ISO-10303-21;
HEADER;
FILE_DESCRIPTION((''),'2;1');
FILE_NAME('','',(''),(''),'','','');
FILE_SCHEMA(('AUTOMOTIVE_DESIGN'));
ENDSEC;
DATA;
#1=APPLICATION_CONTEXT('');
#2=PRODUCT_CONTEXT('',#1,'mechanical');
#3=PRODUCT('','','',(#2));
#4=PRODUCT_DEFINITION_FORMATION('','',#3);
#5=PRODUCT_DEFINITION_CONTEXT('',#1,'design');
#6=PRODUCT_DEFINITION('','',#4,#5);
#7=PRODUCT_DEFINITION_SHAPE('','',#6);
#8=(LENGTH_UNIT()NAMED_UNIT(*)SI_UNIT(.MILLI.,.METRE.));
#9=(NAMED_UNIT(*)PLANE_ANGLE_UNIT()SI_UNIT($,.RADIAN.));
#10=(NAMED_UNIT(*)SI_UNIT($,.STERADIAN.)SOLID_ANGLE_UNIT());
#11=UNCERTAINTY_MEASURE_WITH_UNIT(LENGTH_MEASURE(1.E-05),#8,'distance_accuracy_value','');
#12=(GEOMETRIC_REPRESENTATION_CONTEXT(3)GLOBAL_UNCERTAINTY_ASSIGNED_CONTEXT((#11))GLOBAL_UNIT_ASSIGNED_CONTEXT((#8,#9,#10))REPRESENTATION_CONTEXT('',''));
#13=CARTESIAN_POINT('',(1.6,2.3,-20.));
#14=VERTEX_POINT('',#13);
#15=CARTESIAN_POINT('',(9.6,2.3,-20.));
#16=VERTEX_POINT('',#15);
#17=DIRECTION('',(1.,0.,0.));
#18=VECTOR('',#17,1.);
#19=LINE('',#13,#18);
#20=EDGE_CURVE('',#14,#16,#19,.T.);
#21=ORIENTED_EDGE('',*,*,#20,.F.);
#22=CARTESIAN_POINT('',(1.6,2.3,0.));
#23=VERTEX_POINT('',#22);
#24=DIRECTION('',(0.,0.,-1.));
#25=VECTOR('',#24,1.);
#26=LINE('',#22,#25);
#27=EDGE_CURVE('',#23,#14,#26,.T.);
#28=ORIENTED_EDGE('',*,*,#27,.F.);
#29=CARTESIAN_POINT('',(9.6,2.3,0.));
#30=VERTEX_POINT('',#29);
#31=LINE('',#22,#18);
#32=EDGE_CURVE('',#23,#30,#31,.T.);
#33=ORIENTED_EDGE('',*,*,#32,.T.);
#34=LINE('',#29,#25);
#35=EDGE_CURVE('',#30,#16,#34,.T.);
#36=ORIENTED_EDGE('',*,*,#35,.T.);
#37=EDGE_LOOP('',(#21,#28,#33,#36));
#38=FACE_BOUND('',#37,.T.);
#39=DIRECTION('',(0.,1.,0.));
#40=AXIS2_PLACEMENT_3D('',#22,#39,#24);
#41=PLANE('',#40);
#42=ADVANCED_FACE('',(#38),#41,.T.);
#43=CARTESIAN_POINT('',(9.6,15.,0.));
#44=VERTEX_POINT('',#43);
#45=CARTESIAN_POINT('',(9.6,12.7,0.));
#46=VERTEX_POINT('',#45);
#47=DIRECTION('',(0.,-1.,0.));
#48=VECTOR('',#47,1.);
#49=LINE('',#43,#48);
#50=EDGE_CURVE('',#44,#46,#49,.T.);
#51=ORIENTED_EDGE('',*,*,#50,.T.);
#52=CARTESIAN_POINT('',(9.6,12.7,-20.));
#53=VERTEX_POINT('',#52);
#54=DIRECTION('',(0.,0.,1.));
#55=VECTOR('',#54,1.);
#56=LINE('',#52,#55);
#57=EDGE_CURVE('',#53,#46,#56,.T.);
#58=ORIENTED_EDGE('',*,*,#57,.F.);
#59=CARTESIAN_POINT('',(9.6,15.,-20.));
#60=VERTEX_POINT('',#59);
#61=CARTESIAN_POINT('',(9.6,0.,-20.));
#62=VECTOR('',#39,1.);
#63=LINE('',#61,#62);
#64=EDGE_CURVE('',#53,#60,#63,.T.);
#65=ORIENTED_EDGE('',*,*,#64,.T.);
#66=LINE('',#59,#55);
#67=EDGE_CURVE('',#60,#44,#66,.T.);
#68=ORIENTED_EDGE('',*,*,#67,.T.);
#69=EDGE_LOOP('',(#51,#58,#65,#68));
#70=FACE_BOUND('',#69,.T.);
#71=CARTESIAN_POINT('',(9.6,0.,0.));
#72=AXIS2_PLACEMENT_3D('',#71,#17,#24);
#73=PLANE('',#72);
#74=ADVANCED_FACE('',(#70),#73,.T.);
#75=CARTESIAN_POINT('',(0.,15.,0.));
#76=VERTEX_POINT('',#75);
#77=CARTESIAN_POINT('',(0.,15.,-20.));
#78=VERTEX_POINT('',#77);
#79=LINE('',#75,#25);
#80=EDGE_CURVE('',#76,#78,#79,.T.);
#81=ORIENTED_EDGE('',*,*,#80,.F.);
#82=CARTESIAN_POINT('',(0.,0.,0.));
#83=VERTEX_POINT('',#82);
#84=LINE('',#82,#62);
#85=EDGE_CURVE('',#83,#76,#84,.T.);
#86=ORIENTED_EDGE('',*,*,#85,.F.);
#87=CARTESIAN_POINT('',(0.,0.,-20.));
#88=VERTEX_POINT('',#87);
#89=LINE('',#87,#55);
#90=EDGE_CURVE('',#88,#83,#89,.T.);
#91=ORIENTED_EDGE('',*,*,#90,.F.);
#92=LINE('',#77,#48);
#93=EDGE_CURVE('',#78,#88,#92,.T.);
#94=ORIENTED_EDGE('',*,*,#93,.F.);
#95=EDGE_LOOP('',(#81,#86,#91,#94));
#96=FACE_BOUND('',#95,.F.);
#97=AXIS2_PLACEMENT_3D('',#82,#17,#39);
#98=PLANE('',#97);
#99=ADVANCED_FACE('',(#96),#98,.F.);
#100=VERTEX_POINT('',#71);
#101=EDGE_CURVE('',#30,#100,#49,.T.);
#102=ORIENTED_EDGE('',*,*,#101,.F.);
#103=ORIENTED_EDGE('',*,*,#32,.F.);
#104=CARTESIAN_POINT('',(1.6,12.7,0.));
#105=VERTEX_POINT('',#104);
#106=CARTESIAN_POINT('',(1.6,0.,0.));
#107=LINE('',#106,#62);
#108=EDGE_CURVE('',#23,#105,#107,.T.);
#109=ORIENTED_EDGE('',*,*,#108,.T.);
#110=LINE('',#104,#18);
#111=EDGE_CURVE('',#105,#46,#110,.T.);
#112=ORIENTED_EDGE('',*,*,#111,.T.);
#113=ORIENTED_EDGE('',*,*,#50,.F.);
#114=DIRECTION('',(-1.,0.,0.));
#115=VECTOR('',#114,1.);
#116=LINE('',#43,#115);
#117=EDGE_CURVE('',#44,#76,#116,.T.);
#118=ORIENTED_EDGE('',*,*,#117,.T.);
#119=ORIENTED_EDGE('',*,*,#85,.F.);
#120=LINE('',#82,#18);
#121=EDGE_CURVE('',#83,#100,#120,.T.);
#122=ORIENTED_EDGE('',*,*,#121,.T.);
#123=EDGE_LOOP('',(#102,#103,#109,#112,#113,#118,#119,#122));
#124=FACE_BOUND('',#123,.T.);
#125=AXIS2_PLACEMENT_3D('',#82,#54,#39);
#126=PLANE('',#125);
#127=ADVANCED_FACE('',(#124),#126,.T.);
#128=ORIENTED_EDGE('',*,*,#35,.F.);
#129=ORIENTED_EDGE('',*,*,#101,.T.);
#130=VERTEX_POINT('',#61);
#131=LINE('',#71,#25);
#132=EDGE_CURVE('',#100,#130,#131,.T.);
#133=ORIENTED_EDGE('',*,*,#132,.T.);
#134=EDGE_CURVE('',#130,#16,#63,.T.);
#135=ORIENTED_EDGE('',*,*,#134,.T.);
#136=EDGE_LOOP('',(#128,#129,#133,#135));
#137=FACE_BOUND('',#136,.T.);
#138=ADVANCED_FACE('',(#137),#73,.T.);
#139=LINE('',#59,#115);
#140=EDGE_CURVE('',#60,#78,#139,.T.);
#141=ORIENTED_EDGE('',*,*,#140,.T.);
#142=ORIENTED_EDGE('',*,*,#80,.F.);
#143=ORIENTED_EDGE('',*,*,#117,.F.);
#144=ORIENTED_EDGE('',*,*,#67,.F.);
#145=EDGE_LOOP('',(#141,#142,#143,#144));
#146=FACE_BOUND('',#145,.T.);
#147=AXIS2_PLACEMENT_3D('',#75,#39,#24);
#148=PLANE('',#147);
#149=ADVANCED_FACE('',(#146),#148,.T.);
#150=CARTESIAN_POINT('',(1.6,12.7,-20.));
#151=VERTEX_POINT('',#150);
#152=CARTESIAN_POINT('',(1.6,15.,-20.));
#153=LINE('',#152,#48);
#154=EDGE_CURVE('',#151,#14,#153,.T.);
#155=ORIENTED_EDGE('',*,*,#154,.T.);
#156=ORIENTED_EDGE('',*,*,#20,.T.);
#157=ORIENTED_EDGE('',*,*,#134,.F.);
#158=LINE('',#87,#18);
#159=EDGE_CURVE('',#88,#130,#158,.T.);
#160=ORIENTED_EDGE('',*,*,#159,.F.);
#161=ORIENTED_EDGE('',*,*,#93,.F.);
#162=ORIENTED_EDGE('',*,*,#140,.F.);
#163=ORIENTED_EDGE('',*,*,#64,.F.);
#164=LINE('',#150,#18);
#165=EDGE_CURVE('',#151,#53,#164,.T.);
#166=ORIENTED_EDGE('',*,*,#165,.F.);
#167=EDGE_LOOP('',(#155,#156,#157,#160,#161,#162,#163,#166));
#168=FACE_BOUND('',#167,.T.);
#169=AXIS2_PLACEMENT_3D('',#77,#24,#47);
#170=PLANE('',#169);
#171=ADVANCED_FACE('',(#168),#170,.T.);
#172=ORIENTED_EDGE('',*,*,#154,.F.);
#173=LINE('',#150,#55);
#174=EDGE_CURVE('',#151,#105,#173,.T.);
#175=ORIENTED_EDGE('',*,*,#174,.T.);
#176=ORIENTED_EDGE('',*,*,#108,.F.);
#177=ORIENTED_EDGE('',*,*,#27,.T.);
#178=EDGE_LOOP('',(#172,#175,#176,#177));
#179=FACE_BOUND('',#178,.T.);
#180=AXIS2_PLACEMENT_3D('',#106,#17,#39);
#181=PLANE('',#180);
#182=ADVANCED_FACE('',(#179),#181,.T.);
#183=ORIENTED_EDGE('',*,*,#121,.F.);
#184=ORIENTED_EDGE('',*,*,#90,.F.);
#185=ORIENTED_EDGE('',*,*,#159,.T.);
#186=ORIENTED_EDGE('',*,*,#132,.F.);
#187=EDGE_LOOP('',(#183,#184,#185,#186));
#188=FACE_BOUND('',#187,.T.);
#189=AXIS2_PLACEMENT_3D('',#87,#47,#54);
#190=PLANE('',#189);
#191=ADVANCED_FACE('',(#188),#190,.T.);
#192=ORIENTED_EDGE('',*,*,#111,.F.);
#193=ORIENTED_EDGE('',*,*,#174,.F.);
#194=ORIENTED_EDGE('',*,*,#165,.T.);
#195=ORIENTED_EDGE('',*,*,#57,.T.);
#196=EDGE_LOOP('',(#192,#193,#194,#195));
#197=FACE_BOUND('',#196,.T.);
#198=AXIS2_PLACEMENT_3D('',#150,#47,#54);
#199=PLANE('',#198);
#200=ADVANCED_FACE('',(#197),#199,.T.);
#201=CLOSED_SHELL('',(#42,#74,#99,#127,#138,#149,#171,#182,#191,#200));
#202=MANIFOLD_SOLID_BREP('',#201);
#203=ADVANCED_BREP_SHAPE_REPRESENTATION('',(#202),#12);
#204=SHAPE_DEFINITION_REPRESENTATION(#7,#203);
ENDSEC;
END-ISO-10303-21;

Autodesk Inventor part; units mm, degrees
ref_plane "YZ Plane" through (0, 0, 0) normal (1, 0, 0) x (0, 1, 0)
ref_plane "XZ Plane" through (0, 0, 0) normal (0, 1, 0) x (-1, 0, 0)
ref_plane "XY Plane" through (0, 0, 0) normal (0, 0, 1) x (1, 0, 0)
sketch "Sketch1" plane through (0, 0, 0) normal (1, 0, 0) x (0, 1, 0)
  line L0 (0, 0) -> (15, 0)
  line L1 (15, 0) -> (15, -20)
  line L2 (15, -20) -> (0, -20)
  line L3 (0, -20) -> (0, 0)
  dimension "d0" = 15
  dimension "d1" = 20
extrude "Extrusion1" add sketch "Sketch1" along normal blind 1.6
sketch "Sketch2" plane through (1.6, 0, 0) normal (1, 0, 0) x (0, 0, -1)
  line L0 (0, 15) -> (0, 0) projected
  line L1 (0, 0) -> (20, 0) projected
  line L2 (20, 0) -> (20, 15) projected
  line L3 (20, 15) -> (0, 15) projected
  line L4 (0, 15) -> (20, 15)
  line L5 (20, 15) -> (20, 12.7)
  line L6 (20, 12.7) -> (0, 12.7)
  line L7 (0, 12.7) -> (0, 15)
  line L8 (20, 0) -> (0, 0)
  line L9 (0, 0) -> (0, 2.3)
  line L10 (0, 2.3) -> (20, 2.3)
  line L11 (20, 2.3) -> (20, 0)
  dimension "d4" = 2.3
  dimension "d5" = 2.3
extrude "Extrusion2" add sketch "Sketch2" along normal blind 8 contours L3 L2 L6 L0 | L10 L2 L1 L0
equation "\"d5\" = d4"
properties part number "StepperDriverA4988"
